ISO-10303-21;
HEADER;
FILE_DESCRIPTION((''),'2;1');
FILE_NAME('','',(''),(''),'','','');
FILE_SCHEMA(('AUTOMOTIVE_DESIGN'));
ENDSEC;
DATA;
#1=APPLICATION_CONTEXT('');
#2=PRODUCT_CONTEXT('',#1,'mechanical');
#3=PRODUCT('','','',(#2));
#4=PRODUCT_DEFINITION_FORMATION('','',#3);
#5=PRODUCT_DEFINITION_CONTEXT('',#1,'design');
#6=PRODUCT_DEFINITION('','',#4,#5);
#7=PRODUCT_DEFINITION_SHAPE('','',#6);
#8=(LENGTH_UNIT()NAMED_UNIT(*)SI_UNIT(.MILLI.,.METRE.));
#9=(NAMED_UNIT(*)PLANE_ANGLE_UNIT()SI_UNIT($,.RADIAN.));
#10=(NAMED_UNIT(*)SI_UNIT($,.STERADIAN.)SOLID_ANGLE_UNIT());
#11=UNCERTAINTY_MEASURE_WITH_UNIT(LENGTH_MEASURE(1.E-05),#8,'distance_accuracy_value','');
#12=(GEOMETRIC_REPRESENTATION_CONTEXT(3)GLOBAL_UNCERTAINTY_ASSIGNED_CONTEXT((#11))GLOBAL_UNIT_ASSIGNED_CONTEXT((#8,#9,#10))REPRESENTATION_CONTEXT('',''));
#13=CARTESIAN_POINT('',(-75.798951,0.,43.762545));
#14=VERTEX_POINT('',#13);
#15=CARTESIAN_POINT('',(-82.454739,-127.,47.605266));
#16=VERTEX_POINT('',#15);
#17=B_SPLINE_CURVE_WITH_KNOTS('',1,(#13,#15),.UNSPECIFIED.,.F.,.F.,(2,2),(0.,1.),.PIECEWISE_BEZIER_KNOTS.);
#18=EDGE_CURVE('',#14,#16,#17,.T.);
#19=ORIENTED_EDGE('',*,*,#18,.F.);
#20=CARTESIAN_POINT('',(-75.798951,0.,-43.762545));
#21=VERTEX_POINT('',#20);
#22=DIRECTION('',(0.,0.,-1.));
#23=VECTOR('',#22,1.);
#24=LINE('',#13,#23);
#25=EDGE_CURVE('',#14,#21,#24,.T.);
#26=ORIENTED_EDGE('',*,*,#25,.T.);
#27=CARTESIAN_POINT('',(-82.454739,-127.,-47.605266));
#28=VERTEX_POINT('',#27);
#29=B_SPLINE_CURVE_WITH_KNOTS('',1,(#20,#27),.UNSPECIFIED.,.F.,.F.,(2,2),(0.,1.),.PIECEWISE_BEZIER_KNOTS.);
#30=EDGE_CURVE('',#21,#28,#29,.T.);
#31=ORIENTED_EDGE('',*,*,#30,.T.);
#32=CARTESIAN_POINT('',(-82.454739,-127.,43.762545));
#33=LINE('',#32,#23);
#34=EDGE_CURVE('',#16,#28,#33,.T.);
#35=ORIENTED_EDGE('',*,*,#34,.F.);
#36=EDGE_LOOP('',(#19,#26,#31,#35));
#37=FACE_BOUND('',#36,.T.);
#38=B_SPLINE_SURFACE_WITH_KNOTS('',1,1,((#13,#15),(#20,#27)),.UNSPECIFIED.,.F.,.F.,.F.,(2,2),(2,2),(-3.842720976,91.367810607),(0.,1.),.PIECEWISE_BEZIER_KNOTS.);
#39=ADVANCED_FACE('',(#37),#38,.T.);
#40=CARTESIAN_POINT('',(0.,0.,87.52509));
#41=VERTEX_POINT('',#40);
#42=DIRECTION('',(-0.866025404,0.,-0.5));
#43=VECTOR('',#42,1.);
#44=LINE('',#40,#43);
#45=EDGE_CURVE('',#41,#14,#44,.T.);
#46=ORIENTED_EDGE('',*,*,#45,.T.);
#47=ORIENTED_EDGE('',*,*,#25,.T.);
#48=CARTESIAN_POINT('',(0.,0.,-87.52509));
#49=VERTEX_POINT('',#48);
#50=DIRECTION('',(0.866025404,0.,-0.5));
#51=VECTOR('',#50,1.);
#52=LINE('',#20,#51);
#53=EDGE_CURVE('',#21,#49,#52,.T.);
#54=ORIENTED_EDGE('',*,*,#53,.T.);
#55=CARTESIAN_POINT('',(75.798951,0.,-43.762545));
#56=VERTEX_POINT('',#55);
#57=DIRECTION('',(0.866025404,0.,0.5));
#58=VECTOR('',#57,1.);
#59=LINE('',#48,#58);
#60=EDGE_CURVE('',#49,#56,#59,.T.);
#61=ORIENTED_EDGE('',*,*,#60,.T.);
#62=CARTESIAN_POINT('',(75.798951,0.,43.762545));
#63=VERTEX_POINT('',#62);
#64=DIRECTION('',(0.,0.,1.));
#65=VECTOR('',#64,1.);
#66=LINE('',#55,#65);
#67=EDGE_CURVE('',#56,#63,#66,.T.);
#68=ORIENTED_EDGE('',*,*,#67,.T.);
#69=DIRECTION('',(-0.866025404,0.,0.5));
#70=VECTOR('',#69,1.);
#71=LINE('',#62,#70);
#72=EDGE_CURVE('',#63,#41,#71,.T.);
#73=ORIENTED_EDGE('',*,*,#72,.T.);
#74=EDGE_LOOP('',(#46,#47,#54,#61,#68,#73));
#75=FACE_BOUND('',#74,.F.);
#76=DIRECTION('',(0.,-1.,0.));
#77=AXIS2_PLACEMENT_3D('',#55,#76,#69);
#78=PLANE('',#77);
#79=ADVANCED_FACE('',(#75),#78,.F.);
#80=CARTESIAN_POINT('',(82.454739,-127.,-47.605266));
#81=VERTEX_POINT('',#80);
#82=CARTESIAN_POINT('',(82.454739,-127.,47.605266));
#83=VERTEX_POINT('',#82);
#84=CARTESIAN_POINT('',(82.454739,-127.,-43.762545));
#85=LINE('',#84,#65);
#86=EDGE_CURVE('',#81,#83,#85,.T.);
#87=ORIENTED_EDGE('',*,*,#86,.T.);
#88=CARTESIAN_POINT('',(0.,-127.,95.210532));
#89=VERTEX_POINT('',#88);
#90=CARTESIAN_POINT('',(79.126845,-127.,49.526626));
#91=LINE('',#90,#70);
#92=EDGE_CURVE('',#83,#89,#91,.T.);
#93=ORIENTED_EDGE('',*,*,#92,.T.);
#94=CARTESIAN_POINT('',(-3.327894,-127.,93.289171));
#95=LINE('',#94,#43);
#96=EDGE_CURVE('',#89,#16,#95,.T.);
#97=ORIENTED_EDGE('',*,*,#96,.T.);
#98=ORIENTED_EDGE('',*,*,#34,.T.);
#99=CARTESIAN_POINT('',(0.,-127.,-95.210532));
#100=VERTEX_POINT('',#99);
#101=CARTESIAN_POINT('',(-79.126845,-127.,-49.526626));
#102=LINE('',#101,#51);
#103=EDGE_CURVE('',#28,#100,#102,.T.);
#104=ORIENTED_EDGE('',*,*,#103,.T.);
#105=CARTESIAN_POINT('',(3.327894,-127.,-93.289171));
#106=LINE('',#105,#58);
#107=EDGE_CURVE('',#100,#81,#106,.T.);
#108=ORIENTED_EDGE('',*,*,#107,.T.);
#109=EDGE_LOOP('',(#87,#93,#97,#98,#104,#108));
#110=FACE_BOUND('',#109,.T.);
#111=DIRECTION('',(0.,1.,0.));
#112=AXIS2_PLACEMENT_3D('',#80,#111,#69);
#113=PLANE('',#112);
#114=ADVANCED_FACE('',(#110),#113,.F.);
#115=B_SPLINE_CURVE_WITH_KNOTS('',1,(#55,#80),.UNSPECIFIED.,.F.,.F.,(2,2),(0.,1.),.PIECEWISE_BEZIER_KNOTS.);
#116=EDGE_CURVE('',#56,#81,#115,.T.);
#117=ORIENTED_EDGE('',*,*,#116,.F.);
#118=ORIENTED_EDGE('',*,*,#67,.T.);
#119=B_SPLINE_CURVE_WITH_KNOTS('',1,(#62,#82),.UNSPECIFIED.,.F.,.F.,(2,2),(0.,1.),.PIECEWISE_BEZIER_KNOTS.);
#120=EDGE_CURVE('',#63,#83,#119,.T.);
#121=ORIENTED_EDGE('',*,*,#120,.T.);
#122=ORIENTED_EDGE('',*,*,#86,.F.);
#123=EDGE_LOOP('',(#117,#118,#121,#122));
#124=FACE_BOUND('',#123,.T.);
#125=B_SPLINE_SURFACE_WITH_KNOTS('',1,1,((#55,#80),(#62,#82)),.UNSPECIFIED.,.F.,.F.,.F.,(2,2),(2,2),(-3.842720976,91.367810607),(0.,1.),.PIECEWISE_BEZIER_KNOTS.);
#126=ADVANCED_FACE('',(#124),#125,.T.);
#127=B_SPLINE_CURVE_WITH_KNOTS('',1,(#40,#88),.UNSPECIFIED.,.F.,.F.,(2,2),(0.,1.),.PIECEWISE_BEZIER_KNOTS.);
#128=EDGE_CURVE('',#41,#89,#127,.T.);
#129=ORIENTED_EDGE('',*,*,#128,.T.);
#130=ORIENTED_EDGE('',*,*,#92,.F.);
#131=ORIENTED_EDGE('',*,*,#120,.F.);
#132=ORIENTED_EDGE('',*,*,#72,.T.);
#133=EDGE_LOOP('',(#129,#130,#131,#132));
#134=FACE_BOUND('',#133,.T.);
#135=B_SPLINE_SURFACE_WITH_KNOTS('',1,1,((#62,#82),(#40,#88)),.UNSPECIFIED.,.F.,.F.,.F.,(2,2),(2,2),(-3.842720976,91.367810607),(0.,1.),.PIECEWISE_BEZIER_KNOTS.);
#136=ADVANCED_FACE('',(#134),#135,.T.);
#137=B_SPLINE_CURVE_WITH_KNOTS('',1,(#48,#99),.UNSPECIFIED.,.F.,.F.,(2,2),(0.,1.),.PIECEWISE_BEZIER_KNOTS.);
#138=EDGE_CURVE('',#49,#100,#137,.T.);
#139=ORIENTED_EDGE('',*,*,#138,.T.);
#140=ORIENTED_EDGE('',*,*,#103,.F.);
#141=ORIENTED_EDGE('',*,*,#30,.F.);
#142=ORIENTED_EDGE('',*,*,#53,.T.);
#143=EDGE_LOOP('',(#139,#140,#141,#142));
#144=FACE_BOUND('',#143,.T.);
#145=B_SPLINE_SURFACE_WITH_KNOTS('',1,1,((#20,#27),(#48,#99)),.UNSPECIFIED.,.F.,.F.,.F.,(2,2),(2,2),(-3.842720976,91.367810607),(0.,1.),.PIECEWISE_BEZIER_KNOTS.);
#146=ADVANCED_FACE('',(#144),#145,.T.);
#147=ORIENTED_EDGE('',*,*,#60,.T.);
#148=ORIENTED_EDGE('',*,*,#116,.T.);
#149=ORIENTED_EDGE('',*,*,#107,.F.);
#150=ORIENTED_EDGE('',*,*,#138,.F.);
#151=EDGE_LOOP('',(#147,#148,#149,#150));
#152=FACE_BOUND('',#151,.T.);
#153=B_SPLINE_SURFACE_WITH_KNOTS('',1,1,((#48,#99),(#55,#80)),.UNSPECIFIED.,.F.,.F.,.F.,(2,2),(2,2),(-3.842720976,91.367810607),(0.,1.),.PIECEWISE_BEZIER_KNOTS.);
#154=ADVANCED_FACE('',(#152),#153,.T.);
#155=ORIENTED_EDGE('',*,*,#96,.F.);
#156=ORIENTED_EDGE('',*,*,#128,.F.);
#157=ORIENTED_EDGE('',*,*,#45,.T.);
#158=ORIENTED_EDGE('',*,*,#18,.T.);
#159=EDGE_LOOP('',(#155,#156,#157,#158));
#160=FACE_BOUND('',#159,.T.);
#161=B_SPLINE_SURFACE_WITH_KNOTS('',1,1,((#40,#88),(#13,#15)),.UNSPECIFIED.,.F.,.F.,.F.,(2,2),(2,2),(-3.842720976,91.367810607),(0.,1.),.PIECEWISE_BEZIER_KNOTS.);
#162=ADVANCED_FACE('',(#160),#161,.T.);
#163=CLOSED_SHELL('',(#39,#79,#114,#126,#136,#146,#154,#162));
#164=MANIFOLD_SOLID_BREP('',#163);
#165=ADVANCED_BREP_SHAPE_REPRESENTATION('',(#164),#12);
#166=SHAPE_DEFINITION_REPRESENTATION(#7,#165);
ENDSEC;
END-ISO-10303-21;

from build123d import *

# Parameters (mm, degrees)
F1_DEPTH = 127
F1_TAPER = -3


with BuildPart() as f1:
    # F0 (on Front) → F1 (new body)
    with BuildSketch(Plane.XZ):
        Polygon((75.7989510894, -43.7625448157), (75.7989510894, 43.7625448157), (0, 87.5250896315), (-75.7989510894, 43.7625448157), (-75.7989510894, -43.7625448157), (0, -87.5250896315), align=None)
    extrude(amount=F1_DEPTH, taper=F1_TAPER)


solid = f1.part
